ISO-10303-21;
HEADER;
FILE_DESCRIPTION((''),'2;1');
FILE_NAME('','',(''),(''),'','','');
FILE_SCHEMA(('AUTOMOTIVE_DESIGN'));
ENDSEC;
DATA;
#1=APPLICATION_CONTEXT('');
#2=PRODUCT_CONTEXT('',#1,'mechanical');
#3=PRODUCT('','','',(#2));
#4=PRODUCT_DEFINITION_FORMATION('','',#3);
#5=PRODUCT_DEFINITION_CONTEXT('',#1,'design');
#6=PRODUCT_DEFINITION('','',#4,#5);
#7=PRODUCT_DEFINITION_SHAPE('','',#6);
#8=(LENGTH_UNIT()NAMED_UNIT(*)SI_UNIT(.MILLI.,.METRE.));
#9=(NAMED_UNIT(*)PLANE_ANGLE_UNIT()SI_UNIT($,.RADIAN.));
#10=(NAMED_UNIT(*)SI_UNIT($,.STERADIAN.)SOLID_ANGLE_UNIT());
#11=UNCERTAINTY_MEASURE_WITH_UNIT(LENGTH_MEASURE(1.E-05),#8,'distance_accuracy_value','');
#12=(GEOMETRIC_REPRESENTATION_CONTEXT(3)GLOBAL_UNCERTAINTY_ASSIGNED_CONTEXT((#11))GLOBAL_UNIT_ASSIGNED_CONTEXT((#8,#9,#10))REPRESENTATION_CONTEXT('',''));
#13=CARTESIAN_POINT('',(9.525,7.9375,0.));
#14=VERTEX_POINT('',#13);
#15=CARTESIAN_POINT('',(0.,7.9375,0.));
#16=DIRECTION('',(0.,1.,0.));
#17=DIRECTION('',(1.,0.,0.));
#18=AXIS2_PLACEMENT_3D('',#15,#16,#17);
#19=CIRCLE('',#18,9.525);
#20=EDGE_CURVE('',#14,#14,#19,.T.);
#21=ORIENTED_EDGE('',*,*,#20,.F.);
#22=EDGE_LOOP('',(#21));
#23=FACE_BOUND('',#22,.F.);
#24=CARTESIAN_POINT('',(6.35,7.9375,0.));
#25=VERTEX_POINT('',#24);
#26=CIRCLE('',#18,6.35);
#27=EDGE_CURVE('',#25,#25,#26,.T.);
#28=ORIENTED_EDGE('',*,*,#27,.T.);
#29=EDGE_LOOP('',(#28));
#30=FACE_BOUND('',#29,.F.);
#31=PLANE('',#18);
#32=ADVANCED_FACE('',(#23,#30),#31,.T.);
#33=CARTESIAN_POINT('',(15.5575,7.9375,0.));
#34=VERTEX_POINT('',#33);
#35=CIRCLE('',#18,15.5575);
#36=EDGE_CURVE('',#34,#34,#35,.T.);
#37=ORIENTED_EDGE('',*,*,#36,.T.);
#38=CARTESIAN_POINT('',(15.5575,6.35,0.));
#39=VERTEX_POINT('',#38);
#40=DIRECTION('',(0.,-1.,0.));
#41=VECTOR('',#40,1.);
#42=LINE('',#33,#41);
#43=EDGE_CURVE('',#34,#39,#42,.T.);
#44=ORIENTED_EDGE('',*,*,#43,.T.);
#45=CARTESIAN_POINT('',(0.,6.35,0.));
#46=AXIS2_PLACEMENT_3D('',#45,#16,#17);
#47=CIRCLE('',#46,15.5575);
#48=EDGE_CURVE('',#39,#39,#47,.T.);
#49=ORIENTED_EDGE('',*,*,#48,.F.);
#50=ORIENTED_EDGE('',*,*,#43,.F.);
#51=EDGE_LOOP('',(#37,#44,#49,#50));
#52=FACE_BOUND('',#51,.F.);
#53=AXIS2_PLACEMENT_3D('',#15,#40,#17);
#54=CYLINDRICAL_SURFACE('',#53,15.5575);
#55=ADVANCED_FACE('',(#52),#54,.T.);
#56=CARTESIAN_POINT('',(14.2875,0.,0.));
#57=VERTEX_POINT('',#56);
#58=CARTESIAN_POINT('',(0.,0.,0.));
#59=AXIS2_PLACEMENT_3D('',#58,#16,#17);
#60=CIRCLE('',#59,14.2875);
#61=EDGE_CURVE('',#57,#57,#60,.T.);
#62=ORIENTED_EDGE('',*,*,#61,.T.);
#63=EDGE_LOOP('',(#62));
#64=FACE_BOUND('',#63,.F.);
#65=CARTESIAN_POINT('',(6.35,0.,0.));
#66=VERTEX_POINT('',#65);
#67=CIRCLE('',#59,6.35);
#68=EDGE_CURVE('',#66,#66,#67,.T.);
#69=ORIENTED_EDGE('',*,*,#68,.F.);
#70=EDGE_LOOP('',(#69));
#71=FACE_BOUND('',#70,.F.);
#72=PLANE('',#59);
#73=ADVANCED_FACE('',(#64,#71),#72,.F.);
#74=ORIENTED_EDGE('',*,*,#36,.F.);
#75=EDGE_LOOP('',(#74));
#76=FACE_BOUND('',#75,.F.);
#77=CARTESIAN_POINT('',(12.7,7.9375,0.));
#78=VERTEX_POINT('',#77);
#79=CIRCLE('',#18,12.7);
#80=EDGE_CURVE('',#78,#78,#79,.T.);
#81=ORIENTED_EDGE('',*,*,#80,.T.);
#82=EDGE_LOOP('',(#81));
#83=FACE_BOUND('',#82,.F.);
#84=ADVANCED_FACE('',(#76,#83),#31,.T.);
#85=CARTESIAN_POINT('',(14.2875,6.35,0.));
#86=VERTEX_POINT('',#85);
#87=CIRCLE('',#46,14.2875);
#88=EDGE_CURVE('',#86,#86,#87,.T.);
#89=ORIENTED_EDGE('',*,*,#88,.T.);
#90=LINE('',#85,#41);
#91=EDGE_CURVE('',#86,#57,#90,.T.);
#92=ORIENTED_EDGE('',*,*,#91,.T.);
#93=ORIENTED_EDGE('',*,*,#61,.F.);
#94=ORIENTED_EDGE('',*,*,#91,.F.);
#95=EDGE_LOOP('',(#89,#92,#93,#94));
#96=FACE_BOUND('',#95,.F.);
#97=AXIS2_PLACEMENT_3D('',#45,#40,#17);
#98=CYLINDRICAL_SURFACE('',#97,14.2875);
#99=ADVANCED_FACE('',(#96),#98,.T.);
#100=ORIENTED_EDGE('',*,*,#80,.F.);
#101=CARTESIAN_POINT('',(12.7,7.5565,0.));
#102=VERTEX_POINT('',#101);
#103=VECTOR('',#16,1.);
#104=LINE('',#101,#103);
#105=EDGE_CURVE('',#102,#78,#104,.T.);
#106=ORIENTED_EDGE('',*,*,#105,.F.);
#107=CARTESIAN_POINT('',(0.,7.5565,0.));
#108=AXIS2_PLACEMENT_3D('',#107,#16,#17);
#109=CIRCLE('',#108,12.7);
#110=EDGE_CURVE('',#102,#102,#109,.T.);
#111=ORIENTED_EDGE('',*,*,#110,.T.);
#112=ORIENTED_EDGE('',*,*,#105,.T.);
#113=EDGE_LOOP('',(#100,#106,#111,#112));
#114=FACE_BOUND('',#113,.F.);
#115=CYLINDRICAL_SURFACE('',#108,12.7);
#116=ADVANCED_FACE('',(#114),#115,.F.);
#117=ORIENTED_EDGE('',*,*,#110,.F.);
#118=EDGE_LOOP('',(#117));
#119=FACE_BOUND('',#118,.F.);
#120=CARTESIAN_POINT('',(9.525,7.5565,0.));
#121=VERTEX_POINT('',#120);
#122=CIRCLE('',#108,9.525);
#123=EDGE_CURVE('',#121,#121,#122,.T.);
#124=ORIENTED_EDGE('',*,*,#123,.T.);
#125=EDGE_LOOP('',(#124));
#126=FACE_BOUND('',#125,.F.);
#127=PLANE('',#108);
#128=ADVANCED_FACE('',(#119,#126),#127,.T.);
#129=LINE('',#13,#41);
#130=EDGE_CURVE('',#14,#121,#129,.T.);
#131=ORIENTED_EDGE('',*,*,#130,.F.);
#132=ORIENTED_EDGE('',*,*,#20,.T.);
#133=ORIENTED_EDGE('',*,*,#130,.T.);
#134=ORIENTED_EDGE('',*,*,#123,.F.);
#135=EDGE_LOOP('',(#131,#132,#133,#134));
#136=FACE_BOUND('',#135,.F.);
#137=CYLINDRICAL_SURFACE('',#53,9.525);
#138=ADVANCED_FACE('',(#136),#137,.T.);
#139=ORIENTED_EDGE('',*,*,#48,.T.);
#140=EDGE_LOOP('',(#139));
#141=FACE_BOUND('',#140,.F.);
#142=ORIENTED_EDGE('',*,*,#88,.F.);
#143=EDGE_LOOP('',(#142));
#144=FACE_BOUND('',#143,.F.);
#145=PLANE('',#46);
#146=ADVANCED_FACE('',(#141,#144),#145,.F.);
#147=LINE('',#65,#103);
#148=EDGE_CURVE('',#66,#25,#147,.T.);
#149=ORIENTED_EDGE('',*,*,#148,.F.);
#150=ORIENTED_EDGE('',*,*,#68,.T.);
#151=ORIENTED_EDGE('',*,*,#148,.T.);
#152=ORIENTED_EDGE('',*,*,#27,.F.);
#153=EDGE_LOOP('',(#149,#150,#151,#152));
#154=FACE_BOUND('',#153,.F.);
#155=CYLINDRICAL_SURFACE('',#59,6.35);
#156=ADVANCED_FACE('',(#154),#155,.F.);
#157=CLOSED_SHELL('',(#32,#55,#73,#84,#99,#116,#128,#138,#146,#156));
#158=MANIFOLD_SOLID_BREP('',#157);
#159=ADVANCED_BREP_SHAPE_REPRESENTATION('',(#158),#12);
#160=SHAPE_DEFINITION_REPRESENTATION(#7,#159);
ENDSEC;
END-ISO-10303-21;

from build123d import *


with BuildPart() as part:
    # Sketch1 → Revolve1 (revolve)
    with BuildSketch(Plane(origin=(0, 0, 0), x_dir=(-1, 0, 0), z_dir=(0, 0, -1))):
        Polygon((-9.525, 7.5565), (-12.7, 7.5565), (-12.7, 7.9375), (-15.5575, 7.9375), (-15.5575, 6.35), (-14.2875, 6.35), (-14.2875, 0), (-6.35, 0), (-6.35, 7.9375), (-9.525, 7.9375), align=None)
    revolve(axis=Axis((0, 0, 0), (0, 1, 0)))


solid = part.part
